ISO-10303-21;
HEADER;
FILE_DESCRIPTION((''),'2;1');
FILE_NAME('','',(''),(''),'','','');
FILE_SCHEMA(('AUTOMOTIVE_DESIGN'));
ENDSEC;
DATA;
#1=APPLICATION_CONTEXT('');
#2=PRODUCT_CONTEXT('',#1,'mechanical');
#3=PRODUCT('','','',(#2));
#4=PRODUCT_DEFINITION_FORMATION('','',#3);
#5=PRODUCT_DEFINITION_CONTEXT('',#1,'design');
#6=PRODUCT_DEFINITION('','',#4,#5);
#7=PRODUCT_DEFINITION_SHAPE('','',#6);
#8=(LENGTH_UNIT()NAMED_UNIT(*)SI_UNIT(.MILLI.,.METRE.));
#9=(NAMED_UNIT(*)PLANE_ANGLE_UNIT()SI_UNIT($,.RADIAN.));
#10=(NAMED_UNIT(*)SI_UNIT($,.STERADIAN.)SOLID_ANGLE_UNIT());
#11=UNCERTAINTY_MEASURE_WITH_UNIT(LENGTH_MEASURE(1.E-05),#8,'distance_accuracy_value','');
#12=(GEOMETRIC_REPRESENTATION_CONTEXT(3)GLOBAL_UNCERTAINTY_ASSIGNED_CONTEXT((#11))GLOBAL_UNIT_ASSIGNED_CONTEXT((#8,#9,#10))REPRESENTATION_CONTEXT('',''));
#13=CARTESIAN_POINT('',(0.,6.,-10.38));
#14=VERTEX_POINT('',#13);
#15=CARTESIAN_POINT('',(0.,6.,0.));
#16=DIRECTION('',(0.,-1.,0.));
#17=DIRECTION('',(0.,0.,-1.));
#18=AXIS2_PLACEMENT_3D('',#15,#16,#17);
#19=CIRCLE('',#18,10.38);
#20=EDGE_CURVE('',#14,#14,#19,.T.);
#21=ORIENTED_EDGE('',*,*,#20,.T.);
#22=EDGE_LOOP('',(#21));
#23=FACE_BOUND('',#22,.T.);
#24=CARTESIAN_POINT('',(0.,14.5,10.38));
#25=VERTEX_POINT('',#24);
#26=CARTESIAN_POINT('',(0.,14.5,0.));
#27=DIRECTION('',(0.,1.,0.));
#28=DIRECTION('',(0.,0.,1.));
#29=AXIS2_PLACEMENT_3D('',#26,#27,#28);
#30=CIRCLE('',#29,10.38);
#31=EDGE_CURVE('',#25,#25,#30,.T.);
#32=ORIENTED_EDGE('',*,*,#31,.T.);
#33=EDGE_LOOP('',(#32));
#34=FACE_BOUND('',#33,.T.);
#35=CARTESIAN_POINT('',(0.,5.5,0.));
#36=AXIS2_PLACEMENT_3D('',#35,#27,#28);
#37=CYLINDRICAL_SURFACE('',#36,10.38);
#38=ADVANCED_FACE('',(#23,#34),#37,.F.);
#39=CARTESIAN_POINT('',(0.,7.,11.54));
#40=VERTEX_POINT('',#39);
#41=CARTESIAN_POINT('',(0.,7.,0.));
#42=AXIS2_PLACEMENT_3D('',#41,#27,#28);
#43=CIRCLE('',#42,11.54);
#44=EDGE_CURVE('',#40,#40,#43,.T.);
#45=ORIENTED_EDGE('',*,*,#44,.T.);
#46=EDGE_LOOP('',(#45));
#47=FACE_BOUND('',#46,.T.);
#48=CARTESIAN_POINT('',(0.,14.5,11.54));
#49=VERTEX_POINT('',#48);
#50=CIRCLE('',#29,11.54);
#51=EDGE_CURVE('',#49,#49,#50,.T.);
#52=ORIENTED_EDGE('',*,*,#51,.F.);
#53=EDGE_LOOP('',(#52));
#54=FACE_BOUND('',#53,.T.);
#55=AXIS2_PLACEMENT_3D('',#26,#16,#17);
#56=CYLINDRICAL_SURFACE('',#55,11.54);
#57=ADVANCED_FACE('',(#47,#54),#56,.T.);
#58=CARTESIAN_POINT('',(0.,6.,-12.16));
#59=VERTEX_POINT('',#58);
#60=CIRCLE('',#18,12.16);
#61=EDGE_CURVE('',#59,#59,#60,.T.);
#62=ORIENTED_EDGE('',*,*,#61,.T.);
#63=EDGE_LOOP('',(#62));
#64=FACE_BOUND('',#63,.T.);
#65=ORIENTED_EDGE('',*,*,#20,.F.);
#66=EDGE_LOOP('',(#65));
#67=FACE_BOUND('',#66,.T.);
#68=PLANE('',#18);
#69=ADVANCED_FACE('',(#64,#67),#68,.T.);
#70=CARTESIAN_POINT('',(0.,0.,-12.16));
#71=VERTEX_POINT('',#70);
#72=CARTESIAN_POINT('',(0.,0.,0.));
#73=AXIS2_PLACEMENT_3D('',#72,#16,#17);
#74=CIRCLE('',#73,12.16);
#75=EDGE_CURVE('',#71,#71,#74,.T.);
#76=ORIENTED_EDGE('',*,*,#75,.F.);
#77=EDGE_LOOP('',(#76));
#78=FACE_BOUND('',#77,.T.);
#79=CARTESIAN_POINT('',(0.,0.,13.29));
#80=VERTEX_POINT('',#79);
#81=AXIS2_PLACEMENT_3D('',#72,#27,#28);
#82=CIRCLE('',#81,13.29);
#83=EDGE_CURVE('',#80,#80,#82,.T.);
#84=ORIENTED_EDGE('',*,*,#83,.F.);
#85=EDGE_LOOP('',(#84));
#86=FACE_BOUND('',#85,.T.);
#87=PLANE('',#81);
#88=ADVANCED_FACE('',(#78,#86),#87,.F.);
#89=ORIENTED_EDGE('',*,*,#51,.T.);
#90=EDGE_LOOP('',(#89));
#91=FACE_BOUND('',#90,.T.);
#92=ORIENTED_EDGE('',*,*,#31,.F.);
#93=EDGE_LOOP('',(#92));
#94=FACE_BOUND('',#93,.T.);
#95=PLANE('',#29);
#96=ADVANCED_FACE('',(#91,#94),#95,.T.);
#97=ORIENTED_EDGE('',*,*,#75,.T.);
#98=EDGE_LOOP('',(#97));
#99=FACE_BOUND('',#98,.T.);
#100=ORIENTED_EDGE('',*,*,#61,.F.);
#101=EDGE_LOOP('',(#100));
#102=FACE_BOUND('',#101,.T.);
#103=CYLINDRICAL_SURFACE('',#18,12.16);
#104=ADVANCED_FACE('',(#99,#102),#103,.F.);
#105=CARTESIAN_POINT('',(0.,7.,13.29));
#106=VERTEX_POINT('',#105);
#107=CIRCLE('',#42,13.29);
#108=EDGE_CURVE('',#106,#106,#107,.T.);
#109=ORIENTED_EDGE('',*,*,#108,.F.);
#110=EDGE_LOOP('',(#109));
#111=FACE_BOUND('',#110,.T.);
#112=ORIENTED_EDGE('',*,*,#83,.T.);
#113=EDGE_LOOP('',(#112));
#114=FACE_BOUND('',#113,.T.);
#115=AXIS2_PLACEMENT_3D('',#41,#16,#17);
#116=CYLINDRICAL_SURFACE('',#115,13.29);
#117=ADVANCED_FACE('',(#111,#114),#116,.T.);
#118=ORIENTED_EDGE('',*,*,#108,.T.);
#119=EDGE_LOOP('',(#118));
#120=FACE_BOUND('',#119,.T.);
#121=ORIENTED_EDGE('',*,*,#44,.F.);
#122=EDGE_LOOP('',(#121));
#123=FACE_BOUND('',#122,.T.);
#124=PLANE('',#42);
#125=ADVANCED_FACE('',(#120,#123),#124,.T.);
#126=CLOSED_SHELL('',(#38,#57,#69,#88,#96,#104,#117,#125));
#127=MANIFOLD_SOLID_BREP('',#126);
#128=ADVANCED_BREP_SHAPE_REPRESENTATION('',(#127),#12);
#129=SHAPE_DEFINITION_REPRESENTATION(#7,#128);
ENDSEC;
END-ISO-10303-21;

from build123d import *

# Parameters (mm, degrees)
SKETCH1_R           = 13.29
BOSS_EXTRUDE1_DEPTH = 7
SKETCH2_R           = 11.54
BOSS_EXTRUDE2_DEPTH = 7.5
SKETCH3_R           = 12.16
CUT_EXTRUDE2_DEPTH  = 6
SKETCH4_R           = 10.38
CUT_EXTRUDE4_DEPTH  = 9


with BuildPart() as part:
    # Sketch1 → Boss-Extrude1 (new body)
    with BuildSketch(Plane(origin=(0, 0, 0), x_dir=(1, 0, 0), z_dir=(0, 1, 0))):
        with Locations(Location((0, 0, 0), (0, 0, 270))):
            Circle(SKETCH1_R)
    extrude(amount=BOSS_EXTRUDE1_DEPTH)

    # Sketch2 → Boss-Extrude2 (add)
    with BuildSketch(Plane(origin=(0, 7, 0), x_dir=(1, 0, 0), z_dir=(0, 1, 0))):
        with Locations(Location((0, 0, 0), (0, 0, 270))):
            Circle(SKETCH2_R)
    extrude(amount=BOSS_EXTRUDE2_DEPTH)

    # Sketch3 → Cut-Extrude2 (cut)
    with BuildSketch(Plane(origin=(0, 0, 0), x_dir=(-1, 0, 0), z_dir=(0, -1, 0))):
        with Locations(Location((0, 0, 0), (0, 0, 90))):
            Circle(SKETCH3_R)
    extrude(amount=-CUT_EXTRUDE2_DEPTH, mode=Mode.SUBTRACT)

    # Sketch4 → Cut-Extrude4 (cut)
    with BuildSketch(Plane(origin=(0, 14.5, 0), x_dir=(1, 0, 0), z_dir=(0, 1, 0))):
        with Locations(Location((0, 0, 0), (0, 0, 270))):
            Circle(SKETCH4_R)
    extrude(amount=-CUT_EXTRUDE4_DEPTH, mode=Mode.SUBTRACT)


solid = part.part
